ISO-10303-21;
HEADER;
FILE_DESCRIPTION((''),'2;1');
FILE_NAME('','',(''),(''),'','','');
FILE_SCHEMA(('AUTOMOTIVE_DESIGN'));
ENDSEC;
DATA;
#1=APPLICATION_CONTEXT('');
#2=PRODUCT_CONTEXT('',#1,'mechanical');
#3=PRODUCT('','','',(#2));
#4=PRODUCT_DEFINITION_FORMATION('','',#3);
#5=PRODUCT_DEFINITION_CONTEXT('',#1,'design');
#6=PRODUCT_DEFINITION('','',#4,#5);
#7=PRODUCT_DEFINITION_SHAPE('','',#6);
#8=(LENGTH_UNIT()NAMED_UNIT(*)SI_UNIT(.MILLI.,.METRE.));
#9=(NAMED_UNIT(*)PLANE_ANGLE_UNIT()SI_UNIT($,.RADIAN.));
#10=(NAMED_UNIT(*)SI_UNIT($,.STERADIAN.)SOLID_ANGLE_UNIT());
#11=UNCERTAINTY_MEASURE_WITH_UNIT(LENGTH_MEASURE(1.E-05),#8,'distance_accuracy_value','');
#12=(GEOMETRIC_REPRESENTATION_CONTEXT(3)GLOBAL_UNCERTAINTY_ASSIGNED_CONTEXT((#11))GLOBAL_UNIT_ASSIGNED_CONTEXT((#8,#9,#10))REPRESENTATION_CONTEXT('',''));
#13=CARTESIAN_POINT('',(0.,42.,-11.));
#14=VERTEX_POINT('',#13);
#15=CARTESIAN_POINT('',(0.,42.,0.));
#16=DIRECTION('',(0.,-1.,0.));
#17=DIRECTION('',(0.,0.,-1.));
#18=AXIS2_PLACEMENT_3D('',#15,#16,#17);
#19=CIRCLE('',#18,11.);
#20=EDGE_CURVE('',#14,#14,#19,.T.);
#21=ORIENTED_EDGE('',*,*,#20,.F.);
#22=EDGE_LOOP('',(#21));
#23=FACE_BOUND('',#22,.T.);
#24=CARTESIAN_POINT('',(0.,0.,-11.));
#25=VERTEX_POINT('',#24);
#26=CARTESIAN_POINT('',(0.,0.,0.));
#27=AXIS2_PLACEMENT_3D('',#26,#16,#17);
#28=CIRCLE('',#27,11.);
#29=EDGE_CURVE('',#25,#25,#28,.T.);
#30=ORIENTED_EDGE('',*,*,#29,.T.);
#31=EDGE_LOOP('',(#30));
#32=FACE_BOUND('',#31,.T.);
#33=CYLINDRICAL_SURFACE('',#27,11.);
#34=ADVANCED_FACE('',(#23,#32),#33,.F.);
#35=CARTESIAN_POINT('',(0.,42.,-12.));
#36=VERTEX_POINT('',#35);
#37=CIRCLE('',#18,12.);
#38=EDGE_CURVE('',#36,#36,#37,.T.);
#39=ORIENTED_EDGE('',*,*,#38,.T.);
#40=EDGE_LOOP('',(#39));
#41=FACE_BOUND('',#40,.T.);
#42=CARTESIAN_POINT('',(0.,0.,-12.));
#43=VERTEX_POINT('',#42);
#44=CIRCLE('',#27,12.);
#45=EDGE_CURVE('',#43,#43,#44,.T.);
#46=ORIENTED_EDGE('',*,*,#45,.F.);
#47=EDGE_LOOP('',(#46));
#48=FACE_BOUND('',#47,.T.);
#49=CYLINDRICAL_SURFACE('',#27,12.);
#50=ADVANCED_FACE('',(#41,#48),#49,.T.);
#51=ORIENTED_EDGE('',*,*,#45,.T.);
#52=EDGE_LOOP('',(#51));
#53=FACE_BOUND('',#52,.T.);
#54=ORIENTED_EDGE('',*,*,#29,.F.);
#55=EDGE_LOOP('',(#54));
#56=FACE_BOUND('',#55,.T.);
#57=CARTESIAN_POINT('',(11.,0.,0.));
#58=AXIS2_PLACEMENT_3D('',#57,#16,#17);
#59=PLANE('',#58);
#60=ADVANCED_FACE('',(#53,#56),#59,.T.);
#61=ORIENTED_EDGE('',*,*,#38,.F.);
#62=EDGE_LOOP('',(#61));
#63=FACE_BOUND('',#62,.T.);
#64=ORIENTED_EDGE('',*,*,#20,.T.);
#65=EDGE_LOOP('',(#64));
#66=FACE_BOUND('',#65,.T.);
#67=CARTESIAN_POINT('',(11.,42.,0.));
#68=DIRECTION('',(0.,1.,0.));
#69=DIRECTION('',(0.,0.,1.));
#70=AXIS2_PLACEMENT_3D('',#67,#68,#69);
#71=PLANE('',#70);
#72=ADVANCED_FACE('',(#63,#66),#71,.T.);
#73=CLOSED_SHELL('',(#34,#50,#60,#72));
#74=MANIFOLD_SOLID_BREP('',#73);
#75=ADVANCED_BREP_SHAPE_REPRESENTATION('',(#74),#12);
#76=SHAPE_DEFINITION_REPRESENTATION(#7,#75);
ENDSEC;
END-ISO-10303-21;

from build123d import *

# Parameters (mm, degrees)
SKETCH1_W = 1
SKETCH1_H = 42


with BuildPart() as part:
    # Sketch1 → Revolve1 (revolve)
    with BuildSketch(Plane.XY):
        with Locations((11.5, 21)):
            Rectangle(SKETCH1_W, SKETCH1_H)
    revolve(axis=Axis((0, 0, 0), (0, 1, 0)))


solid = part.part
